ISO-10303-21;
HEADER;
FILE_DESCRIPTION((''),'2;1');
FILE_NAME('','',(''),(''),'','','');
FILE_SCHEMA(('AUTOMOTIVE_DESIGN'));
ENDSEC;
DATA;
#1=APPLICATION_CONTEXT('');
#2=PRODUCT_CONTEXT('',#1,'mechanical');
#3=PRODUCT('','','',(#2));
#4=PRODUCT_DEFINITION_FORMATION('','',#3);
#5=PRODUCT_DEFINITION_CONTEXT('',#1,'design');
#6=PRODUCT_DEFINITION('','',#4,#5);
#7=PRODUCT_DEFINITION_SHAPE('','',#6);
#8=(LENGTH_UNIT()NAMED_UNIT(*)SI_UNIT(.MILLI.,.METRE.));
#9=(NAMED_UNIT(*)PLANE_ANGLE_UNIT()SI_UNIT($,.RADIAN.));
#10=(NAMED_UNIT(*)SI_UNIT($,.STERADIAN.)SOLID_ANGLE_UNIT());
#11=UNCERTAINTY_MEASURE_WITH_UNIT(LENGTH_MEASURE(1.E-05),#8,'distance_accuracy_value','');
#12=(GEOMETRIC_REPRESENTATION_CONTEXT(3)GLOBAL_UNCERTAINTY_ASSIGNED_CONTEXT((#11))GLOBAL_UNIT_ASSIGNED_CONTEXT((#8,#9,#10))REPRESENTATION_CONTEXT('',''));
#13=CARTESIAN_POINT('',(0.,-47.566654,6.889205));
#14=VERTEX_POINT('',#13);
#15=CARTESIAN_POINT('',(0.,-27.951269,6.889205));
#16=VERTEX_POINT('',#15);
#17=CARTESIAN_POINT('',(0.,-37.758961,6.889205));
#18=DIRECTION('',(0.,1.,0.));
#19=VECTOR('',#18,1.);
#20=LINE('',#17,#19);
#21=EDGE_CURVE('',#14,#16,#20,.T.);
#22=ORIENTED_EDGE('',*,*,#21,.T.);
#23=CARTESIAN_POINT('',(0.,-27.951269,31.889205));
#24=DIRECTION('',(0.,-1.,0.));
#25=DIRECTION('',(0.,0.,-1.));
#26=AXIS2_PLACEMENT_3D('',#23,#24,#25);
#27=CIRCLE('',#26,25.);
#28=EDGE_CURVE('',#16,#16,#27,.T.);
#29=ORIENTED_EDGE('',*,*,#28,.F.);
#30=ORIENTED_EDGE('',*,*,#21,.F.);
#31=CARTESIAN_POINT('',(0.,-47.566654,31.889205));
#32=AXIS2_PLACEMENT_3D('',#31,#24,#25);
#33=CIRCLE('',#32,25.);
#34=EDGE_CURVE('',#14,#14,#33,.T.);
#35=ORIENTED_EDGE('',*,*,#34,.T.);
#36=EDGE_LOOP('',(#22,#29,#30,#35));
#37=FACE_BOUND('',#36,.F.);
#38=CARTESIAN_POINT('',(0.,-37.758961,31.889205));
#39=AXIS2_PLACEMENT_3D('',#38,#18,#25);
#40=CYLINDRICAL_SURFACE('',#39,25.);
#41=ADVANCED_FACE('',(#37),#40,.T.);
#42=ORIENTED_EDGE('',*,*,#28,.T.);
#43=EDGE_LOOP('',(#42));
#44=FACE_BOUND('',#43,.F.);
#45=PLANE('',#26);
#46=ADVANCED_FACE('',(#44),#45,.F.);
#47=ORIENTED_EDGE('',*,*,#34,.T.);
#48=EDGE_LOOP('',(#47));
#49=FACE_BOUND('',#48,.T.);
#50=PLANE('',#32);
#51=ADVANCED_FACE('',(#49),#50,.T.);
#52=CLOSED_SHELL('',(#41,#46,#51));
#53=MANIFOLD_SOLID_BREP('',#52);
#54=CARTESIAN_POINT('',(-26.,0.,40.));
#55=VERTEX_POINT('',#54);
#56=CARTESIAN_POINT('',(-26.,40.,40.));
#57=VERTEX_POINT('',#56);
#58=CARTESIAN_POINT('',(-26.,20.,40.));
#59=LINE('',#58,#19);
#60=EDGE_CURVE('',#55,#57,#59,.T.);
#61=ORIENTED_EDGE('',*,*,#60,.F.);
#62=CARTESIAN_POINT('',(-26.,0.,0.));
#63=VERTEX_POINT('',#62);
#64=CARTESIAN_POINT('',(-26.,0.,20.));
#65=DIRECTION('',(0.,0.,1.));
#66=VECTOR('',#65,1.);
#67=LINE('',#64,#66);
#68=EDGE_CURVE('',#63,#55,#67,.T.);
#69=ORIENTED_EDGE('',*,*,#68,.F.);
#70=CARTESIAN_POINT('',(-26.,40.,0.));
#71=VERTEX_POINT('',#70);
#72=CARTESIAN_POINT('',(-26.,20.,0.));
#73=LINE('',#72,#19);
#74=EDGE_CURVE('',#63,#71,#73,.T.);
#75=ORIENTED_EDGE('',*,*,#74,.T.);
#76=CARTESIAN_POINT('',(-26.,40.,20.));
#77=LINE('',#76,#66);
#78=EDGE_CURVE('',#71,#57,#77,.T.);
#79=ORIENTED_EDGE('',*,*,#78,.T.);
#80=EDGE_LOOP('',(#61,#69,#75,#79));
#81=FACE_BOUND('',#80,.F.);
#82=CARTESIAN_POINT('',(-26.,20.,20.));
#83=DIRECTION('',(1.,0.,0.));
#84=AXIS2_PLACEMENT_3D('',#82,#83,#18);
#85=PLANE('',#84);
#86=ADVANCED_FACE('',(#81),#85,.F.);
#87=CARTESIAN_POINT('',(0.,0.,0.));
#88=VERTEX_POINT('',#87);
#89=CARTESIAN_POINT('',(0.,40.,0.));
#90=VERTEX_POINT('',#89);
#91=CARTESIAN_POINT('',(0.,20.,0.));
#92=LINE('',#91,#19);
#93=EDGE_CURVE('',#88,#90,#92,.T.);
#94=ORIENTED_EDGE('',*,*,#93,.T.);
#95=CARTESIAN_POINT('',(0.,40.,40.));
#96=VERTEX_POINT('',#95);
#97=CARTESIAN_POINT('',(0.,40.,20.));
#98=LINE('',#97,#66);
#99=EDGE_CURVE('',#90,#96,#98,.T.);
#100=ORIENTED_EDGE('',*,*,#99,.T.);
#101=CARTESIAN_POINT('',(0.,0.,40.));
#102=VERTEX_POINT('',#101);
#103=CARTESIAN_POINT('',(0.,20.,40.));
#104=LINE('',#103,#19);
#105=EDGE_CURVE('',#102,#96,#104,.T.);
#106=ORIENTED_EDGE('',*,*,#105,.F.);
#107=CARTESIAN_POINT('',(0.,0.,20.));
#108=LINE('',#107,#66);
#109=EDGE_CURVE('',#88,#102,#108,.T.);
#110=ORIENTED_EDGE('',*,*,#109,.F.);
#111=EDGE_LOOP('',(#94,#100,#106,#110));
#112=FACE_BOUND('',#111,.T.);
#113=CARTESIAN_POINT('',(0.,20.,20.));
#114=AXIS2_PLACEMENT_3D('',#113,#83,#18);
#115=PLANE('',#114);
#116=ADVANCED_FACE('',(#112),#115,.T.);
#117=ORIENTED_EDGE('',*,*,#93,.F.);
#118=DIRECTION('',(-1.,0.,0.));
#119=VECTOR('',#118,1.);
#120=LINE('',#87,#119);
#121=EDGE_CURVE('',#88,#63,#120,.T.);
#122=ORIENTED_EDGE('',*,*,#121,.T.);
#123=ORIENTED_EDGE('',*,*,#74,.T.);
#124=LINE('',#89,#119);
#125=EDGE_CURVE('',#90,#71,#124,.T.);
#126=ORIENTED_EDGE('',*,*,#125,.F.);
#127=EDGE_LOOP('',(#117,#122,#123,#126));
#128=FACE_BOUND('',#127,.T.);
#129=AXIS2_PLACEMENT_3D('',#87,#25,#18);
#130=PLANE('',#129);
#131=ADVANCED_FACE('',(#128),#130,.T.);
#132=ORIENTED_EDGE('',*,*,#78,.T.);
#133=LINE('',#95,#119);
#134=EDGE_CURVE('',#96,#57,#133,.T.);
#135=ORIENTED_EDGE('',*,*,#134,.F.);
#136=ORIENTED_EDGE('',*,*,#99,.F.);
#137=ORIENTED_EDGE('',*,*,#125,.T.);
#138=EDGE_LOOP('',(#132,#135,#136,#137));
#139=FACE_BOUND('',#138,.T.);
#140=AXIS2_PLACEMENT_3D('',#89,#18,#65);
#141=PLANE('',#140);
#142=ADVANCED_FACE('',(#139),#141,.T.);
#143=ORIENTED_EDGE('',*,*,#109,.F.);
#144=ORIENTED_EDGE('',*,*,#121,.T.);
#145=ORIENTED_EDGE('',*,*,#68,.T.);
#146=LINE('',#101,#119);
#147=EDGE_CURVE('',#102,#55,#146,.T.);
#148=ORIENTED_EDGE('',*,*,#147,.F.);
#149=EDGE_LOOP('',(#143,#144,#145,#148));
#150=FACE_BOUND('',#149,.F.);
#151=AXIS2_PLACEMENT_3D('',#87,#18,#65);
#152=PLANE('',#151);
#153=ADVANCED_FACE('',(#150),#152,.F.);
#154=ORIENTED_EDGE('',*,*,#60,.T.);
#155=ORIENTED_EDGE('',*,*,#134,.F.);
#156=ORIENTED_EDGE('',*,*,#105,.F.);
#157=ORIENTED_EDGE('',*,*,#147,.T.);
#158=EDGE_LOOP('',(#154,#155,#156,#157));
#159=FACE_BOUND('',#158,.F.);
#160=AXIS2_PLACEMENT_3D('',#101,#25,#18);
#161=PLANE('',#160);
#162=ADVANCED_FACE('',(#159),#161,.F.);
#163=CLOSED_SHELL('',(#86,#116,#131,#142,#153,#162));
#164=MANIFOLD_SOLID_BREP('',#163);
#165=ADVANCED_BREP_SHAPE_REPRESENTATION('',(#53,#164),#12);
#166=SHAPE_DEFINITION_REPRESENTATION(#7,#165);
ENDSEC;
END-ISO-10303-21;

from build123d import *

# Parameters (mm, degrees)
F0_W     = 40
F0_H     = 40
F1_DEPTH = 26
F2_W     = 19.615385
F2_H     = 25


with BuildPart() as f1:
    # F0 (on Right) → F1 (new body)
    with BuildSketch(Plane.YZ):
        with Locations((20, 20)):
            Rectangle(F0_W, F0_H)
    extrude(amount=-F1_DEPTH)


with BuildPart() as f3:
    # F2 (on Right) → F3 (revolve)
    with BuildSketch(Plane.YZ):
        with Locations((-37.758961, 19.389205)):
            Rectangle(F2_W, F2_H)
    revolve(axis=Axis((0, -61.412809, 31.889205), (0, -1, 0)))


solid = Compound([f1.part, f3.part])
